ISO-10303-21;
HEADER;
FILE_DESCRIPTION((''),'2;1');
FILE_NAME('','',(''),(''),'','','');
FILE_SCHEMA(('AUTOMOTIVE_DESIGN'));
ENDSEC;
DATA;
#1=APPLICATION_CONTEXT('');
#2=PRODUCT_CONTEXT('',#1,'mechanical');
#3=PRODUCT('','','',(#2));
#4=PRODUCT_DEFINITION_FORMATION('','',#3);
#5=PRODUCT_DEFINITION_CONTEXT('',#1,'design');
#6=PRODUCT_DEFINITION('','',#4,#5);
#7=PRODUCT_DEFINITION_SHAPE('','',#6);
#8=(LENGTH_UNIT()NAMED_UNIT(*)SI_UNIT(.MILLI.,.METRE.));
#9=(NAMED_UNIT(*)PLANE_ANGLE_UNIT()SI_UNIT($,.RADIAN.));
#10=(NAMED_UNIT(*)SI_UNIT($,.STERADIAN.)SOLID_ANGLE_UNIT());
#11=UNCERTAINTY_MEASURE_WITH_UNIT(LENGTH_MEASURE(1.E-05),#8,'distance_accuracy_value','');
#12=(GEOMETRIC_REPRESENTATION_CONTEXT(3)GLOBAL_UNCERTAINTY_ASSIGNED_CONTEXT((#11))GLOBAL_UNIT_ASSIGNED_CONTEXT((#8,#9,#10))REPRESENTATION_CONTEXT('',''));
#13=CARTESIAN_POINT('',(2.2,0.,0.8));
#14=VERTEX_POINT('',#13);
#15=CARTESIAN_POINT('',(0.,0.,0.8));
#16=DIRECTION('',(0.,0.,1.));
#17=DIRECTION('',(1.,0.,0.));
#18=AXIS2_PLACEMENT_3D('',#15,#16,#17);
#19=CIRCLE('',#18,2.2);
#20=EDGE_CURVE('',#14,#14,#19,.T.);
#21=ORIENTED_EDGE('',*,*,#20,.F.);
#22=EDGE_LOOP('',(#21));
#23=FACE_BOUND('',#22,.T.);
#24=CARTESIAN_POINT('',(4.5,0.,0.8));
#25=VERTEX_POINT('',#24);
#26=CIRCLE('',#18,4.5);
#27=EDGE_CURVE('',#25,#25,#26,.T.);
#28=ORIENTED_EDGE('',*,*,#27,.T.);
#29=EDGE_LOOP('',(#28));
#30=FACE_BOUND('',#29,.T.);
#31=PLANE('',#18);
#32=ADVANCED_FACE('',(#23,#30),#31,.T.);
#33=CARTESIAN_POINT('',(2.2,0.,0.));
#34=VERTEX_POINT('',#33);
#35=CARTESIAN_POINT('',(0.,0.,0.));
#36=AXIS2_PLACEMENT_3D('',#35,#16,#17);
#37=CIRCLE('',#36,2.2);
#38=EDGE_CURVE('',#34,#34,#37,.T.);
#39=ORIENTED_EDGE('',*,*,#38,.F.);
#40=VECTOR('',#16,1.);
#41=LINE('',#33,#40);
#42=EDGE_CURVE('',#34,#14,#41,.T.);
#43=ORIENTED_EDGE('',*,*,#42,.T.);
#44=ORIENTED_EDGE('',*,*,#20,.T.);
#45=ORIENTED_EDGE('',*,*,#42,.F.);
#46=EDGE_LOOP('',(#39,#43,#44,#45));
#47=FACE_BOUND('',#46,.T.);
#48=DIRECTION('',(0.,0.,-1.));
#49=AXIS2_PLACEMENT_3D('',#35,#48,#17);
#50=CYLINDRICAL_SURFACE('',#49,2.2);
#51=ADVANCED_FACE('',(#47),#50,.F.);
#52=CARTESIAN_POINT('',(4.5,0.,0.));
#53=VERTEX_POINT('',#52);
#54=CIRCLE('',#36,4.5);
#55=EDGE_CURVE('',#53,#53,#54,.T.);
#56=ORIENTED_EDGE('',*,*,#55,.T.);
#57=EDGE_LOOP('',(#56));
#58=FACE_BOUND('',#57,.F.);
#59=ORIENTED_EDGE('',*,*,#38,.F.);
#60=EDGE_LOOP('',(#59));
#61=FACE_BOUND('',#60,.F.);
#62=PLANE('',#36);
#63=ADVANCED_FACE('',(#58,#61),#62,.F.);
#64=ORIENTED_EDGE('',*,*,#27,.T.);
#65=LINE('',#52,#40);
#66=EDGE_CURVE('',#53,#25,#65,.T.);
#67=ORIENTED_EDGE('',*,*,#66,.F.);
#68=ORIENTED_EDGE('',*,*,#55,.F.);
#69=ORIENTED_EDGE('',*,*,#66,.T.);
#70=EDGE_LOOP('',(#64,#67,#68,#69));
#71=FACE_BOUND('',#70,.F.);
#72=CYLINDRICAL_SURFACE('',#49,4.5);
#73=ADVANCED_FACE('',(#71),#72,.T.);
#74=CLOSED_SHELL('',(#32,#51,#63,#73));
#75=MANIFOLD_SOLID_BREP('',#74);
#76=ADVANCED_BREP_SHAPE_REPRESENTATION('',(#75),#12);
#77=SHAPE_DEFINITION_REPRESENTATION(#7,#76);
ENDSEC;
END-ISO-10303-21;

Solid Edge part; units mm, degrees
sketch "Sketch1" plane through (0, 0, 0) normal (0, 0, 1) x (1, 0, 0)
  circle A0 centre (0, 0) radius 4.5
  circle A1 centre (0, 0) radius 2.2
extrude "Protrusion1" add sketch "Sketch1" along normal blind 0.8
